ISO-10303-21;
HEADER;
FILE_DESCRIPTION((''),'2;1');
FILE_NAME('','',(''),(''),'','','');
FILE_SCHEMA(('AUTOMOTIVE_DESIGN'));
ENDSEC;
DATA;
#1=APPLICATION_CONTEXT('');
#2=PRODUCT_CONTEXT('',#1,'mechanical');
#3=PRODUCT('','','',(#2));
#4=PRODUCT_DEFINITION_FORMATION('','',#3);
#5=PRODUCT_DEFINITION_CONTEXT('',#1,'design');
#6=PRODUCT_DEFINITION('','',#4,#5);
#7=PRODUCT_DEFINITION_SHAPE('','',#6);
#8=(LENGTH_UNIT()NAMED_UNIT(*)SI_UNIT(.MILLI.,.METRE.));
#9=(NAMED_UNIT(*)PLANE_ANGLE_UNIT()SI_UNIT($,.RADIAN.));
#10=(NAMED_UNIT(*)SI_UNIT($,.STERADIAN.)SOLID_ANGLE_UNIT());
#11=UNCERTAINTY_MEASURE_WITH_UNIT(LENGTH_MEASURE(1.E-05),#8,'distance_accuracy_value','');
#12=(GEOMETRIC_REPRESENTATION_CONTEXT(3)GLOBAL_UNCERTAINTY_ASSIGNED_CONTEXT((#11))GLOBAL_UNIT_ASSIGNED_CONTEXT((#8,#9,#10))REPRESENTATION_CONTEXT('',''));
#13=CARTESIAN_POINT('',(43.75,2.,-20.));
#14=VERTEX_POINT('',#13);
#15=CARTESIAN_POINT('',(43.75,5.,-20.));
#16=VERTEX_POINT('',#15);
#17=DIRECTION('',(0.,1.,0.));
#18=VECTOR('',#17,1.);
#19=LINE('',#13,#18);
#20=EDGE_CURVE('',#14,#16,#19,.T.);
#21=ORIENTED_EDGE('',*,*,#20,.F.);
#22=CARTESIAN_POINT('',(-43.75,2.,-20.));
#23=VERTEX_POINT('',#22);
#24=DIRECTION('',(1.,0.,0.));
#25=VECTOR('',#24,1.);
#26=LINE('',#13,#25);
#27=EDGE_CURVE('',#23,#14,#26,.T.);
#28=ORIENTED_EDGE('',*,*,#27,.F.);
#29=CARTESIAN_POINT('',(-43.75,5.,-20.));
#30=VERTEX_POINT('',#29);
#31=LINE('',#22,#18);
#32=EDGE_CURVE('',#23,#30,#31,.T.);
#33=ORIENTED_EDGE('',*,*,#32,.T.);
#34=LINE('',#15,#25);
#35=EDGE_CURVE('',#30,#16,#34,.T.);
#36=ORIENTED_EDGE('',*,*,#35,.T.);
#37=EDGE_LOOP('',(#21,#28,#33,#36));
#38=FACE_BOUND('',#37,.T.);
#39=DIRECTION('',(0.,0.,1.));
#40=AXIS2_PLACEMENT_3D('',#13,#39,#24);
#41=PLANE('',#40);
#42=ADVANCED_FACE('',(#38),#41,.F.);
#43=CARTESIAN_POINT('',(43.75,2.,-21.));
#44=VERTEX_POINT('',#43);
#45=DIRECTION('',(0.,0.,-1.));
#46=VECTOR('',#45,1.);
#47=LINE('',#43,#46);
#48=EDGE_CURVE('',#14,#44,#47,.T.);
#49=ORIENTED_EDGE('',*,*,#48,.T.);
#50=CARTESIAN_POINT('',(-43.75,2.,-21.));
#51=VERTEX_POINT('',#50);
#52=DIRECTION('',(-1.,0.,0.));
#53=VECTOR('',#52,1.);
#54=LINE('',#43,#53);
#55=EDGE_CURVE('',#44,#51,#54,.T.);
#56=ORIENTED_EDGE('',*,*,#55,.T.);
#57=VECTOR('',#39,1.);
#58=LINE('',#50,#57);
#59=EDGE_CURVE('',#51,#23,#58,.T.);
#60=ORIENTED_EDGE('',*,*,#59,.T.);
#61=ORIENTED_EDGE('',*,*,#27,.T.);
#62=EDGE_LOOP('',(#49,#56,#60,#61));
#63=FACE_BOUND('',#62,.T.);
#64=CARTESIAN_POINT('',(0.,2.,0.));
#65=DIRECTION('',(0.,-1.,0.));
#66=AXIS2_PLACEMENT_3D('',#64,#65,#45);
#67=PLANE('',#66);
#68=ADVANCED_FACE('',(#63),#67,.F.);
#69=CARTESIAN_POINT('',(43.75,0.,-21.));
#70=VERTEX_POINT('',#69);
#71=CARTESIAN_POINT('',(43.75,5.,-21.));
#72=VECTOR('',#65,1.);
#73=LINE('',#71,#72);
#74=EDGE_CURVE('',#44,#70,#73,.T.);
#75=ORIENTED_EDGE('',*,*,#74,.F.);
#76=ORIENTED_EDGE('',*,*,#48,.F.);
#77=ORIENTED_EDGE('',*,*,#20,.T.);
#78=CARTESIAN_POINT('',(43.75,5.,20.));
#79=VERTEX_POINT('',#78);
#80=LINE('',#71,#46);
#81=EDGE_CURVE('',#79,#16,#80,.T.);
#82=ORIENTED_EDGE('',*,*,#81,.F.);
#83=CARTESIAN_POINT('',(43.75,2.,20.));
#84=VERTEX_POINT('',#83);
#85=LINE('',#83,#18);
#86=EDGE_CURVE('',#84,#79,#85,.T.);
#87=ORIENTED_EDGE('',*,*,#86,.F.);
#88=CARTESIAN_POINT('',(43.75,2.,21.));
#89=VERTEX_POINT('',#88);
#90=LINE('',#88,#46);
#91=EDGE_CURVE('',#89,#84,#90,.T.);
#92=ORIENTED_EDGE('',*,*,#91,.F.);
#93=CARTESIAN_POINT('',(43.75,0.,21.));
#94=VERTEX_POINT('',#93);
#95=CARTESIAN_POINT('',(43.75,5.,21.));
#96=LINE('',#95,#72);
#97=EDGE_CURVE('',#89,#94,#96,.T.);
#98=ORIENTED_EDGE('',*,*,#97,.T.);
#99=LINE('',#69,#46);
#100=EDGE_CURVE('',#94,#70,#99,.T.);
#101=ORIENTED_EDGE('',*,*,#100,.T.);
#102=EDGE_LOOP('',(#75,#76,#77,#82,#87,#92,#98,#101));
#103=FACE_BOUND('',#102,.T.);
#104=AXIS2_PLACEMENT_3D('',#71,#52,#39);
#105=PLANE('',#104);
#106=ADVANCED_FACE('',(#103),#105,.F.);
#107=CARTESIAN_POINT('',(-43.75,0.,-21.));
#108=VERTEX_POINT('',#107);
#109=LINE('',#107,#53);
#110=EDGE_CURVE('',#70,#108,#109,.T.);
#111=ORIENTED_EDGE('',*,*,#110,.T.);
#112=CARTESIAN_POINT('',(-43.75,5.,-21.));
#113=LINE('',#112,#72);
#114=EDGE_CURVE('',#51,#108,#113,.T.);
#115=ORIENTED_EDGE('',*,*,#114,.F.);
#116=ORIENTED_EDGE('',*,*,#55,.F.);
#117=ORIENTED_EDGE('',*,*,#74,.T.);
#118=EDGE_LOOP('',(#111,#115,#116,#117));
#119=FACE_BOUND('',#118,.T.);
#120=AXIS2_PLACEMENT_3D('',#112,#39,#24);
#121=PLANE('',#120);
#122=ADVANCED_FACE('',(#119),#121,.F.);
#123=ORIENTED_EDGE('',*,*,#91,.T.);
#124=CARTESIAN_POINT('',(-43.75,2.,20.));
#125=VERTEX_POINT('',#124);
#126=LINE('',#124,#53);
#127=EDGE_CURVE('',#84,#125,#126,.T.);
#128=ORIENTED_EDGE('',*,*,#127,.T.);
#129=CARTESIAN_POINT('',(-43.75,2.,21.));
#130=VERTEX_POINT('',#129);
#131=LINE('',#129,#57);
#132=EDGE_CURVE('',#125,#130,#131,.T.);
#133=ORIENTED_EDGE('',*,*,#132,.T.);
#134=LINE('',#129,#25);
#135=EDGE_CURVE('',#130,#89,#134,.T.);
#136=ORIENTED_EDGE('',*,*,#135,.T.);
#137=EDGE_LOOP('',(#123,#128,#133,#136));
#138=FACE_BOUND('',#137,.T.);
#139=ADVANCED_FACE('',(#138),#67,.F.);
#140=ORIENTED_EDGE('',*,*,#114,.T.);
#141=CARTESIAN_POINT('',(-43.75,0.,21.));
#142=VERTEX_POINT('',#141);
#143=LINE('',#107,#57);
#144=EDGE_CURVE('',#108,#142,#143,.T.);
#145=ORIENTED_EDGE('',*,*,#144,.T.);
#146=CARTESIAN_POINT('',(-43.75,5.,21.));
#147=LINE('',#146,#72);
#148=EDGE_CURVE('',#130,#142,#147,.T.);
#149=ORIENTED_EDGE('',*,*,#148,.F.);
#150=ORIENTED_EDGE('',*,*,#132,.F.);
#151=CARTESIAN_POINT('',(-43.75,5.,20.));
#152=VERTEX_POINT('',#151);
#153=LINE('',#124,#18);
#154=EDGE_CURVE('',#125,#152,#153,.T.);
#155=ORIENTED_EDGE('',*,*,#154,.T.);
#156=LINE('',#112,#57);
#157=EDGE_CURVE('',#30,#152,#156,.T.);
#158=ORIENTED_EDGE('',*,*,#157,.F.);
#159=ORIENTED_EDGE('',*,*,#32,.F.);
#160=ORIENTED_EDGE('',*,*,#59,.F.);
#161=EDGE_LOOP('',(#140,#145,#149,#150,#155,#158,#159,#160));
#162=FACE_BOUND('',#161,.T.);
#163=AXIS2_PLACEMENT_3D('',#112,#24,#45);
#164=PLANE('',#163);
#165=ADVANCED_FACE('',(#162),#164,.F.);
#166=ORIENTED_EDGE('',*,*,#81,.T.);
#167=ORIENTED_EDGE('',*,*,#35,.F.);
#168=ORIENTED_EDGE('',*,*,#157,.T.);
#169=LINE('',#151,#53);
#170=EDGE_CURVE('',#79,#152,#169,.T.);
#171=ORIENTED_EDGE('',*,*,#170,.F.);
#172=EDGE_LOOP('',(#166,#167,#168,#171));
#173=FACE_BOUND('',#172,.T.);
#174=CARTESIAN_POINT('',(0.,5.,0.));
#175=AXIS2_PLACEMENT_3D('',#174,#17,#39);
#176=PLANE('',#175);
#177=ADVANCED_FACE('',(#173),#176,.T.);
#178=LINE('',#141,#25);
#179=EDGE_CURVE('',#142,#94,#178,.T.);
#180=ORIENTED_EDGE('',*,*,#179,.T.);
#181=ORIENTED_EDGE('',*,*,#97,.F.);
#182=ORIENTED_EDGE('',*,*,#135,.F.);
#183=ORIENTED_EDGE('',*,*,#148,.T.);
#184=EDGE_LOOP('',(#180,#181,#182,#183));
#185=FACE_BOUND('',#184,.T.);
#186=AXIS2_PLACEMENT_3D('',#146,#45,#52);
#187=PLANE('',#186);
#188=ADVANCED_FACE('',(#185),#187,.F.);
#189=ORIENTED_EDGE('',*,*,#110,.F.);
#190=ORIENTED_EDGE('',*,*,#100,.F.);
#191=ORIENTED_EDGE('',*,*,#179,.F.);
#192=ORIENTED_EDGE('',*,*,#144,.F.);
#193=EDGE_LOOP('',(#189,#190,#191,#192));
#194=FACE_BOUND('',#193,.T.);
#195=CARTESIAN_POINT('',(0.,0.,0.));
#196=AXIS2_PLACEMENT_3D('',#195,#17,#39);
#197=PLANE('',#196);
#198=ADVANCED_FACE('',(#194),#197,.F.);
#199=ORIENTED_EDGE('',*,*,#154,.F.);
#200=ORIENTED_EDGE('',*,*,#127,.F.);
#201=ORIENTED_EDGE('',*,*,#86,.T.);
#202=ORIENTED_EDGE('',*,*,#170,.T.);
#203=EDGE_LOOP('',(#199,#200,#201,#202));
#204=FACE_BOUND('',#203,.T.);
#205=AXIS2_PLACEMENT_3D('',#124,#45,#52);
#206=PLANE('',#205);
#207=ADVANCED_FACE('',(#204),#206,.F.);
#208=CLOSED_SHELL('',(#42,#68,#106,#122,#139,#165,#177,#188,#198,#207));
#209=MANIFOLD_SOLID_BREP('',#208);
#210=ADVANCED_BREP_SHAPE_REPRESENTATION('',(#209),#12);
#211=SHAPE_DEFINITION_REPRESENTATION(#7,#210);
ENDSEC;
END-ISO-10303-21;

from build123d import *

# Parameters (mm, degrees)
SKETCH1_W           = 87.5
SKETCH1_H           = 42
BOSS_EXTRUDE1_DEPTH = 5
SKETCH2_W           = 87.5
SKETCH2_H           = 1
CUT_EXTRUDE1_DEPTH  = 3
SKETCH3_W           = 87.5
SKETCH3_H           = 1
CUT_EXTRUDE2_DEPTH  = 3


with BuildPart() as part:
    # Sketch1 → Boss-Extrude1 (new body)
    with BuildSketch(Plane(origin=(0, 0, 0), x_dir=(1, 0, 0), z_dir=(0, 1, 0))):
        Rectangle(SKETCH1_W, SKETCH1_H)
    extrude(amount=BOSS_EXTRUDE1_DEPTH)

    # Sketch2 → Cut-Extrude1 (cut)
    with BuildSketch(Plane(origin=(0, 5, 0), x_dir=(1, 0, 0), z_dir=(0, 1, 0))):
        with Locations((0, 20.5)):
            Rectangle(SKETCH2_W, SKETCH2_H)
    extrude(amount=-CUT_EXTRUDE1_DEPTH, mode=Mode.SUBTRACT)

    # Sketch3 → Cut-Extrude2 (cut)
    with BuildSketch(Plane(origin=(0, 5, 0), x_dir=(1, 0, 0), z_dir=(0, 1, 0))):
        with Locations((0, -20.5)):
            Rectangle(SKETCH3_W, SKETCH3_H)
    extrude(amount=-CUT_EXTRUDE2_DEPTH, mode=Mode.SUBTRACT)


solid = part.part
